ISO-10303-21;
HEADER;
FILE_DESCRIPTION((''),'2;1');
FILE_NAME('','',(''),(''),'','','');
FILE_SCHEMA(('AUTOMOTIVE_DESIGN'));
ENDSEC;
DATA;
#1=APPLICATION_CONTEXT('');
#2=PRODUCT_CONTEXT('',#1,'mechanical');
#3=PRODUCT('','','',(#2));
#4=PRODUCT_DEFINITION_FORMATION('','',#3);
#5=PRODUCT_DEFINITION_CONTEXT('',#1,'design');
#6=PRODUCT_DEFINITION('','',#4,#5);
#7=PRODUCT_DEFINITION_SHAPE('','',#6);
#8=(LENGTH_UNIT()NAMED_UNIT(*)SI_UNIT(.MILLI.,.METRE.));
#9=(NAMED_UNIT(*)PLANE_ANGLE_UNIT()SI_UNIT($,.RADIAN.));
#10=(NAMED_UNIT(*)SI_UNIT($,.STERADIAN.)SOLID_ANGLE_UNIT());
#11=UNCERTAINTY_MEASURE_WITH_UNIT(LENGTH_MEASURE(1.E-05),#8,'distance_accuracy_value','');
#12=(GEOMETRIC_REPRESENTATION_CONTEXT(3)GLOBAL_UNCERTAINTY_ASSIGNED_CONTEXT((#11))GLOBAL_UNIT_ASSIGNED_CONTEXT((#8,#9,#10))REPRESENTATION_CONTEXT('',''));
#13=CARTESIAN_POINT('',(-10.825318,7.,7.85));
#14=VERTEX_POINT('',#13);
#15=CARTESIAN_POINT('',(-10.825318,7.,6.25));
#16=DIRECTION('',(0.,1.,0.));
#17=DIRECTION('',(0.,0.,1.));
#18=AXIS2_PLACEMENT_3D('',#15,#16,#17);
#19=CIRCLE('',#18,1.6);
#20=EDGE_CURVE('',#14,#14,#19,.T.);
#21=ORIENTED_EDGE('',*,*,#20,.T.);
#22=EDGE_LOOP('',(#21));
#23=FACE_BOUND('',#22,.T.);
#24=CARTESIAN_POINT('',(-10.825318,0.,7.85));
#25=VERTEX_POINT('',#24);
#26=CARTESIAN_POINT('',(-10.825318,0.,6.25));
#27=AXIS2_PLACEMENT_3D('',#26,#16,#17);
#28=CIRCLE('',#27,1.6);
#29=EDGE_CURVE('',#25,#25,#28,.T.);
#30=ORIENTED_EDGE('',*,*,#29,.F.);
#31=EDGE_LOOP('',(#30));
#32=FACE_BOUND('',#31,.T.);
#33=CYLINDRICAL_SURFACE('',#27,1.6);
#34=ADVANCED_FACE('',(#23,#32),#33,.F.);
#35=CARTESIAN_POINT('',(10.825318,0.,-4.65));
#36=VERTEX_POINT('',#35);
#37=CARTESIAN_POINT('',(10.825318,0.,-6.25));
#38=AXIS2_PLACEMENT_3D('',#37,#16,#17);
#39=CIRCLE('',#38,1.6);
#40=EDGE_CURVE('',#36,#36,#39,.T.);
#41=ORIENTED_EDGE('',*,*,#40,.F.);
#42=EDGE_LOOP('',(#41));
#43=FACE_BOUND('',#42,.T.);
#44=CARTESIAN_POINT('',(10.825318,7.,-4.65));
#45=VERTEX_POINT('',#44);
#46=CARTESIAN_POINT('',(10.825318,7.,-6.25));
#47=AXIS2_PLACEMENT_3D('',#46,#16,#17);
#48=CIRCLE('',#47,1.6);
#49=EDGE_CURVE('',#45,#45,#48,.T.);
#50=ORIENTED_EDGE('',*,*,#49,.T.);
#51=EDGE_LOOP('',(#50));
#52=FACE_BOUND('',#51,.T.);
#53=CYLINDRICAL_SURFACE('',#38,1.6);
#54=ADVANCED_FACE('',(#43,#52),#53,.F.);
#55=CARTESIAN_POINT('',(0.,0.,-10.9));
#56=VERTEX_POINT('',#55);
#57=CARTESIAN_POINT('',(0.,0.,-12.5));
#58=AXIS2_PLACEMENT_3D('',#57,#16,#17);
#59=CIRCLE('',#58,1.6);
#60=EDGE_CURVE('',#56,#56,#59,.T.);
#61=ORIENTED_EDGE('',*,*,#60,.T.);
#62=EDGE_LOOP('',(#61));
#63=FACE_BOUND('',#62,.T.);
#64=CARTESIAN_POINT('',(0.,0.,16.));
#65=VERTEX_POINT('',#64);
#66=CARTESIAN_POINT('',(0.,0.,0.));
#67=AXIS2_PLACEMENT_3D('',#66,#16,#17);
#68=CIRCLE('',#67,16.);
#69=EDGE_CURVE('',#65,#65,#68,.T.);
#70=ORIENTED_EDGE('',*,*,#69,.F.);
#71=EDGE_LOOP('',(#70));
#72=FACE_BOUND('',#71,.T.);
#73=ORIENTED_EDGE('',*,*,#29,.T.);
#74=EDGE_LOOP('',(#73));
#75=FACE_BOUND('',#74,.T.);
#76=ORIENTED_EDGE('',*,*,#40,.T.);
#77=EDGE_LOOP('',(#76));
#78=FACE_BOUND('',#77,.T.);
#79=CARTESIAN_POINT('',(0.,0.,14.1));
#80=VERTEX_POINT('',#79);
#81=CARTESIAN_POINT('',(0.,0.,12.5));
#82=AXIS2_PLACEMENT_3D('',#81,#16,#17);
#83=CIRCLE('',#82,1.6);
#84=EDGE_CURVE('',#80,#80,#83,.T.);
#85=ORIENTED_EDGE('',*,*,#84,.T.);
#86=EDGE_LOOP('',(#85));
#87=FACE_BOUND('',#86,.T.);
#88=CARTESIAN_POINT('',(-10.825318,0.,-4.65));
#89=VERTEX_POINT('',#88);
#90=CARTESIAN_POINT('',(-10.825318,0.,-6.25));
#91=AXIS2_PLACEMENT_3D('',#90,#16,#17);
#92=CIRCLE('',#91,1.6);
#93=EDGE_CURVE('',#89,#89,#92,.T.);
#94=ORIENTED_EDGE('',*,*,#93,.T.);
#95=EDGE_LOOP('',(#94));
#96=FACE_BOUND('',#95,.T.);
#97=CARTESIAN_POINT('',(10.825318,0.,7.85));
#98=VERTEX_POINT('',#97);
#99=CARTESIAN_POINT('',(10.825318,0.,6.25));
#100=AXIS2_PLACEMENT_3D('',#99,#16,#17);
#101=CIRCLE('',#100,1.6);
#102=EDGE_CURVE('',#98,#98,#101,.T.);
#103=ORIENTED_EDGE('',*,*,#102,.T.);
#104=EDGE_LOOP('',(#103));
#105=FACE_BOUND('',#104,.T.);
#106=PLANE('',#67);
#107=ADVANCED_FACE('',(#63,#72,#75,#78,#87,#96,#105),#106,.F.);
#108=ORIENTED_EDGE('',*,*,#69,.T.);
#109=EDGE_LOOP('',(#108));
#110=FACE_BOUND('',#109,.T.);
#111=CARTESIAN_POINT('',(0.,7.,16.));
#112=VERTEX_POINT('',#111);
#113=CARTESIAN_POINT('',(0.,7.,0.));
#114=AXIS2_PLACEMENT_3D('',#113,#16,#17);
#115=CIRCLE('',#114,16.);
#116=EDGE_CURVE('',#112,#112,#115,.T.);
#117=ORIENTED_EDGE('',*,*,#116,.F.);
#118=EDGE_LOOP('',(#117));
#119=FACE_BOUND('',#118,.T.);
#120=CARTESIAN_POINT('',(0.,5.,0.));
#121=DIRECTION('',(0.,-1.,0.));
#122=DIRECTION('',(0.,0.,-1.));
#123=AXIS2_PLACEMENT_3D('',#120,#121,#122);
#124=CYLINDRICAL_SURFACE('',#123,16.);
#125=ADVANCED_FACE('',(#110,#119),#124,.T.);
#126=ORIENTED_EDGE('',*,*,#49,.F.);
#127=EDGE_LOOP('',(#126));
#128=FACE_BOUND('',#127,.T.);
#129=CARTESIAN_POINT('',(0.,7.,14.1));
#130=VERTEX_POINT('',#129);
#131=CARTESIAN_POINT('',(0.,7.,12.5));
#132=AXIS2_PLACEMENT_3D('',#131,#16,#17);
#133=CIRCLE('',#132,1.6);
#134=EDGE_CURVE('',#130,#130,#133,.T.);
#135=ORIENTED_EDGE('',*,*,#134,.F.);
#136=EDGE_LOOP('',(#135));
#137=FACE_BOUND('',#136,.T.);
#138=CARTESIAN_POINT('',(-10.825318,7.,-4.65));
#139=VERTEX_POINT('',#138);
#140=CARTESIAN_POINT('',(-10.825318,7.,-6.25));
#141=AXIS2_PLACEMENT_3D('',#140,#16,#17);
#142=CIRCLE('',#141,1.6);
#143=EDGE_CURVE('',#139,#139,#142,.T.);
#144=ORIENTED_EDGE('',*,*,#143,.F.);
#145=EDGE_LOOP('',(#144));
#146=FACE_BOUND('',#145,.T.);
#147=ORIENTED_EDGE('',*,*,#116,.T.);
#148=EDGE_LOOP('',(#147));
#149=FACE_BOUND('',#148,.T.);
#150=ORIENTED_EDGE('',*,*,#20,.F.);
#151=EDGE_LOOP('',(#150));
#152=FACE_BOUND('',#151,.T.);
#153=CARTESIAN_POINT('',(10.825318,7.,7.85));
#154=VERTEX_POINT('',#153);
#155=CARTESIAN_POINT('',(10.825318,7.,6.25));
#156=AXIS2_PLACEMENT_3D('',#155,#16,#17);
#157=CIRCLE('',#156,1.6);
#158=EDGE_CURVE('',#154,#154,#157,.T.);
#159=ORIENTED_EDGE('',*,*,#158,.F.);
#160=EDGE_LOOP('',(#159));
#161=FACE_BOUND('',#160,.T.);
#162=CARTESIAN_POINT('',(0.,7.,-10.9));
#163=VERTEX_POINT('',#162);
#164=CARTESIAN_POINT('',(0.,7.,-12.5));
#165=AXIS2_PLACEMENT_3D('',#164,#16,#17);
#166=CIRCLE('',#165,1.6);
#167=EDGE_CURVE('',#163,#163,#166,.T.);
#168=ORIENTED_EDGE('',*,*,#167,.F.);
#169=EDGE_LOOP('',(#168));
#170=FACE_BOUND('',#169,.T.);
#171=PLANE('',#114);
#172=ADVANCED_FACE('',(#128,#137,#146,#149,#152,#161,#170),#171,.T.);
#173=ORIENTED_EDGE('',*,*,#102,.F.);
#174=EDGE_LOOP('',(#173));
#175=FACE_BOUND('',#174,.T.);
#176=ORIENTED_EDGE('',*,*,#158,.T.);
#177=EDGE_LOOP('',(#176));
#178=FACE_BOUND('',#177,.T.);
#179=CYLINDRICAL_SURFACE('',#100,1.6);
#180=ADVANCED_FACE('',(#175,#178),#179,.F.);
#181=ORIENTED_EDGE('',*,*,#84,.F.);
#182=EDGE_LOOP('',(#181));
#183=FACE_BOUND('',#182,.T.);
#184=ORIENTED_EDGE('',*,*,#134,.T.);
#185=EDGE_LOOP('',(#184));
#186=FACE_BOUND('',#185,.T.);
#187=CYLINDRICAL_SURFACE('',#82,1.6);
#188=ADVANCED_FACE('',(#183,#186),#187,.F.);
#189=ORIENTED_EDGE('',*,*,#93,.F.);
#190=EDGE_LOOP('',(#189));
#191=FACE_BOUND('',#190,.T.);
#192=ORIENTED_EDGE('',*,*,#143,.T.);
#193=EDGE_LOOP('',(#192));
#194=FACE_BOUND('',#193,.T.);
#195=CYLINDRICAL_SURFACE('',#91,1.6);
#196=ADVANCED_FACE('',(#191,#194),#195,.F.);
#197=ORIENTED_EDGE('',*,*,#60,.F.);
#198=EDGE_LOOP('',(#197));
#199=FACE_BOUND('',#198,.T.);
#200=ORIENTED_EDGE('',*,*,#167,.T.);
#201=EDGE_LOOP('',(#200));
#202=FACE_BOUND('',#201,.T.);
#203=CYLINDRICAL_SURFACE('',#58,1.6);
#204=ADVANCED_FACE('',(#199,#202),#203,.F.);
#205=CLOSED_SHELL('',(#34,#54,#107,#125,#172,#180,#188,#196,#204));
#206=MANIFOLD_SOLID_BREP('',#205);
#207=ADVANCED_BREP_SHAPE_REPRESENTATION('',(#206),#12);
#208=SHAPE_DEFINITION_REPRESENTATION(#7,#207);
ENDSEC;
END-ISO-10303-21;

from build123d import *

# Parameters (mm, degrees)
SKETCH_1_R          = 16
EXTRUDE_1_DEPTH     = 5
SKETCH_2_R          = 16
EXTRUDE_2_DEPTH     = 2
SKETCH_3_R          = 1.6
CUT_EXTRUDE_1_DEPTH = 24.685438565


with BuildPart() as part:
    # 草图1 → 凸台-拉伸1 (new body)
    with BuildSketch(Plane(origin=(0, 0, 0), x_dir=(1, 0, 0), z_dir=(0, 1, 0))):
        with Locations(Location((0, 0, 0), (0, 0, 270))):
            Circle(SKETCH_1_R)
    extrude(amount=EXTRUDE_1_DEPTH)

    # 草图2 → 凸台-拉伸2 (add)
    with BuildSketch(Plane(origin=(0, 5, 0), x_dir=(1, 0, 0), z_dir=(0, 1, 0))):
        with Locations(Location((0, 0, 0), (0, 0, 270))):
            Circle(SKETCH_2_R)
    extrude(amount=EXTRUDE_2_DEPTH)

    # 草图3 → 切除-拉伸1 (cut, through all)
    with BuildSketch(Plane(origin=(0, 7, 0), x_dir=(1, 0, 0), z_dir=(0, 1, 0))):
        with Locations(Location((0, 12.5, 0), (0, 0, 270))):
            Circle(SKETCH_3_R)
        with Locations(Location((10.825317547, 6.25, 0), (0, 0, 270))):
            Circle(SKETCH_3_R)
        with Locations(Location((10.825317547, -6.25, 0), (0, 0, 270))):
            Circle(SKETCH_3_R)
        with Locations(Location((0, -12.5, 0), (0, 0, 270))):
            Circle(SKETCH_3_R)
        with Locations(Location((-10.825317547, -6.25, 0), (0, 0, 270))):
            Circle(SKETCH_3_R)
        with Locations(Location((-10.825317547, 6.25, 0), (0, 0, 270))):
            Circle(SKETCH_3_R)
    extrude(amount=-CUT_EXTRUDE_1_DEPTH, mode=Mode.SUBTRACT)


solid = part.part
